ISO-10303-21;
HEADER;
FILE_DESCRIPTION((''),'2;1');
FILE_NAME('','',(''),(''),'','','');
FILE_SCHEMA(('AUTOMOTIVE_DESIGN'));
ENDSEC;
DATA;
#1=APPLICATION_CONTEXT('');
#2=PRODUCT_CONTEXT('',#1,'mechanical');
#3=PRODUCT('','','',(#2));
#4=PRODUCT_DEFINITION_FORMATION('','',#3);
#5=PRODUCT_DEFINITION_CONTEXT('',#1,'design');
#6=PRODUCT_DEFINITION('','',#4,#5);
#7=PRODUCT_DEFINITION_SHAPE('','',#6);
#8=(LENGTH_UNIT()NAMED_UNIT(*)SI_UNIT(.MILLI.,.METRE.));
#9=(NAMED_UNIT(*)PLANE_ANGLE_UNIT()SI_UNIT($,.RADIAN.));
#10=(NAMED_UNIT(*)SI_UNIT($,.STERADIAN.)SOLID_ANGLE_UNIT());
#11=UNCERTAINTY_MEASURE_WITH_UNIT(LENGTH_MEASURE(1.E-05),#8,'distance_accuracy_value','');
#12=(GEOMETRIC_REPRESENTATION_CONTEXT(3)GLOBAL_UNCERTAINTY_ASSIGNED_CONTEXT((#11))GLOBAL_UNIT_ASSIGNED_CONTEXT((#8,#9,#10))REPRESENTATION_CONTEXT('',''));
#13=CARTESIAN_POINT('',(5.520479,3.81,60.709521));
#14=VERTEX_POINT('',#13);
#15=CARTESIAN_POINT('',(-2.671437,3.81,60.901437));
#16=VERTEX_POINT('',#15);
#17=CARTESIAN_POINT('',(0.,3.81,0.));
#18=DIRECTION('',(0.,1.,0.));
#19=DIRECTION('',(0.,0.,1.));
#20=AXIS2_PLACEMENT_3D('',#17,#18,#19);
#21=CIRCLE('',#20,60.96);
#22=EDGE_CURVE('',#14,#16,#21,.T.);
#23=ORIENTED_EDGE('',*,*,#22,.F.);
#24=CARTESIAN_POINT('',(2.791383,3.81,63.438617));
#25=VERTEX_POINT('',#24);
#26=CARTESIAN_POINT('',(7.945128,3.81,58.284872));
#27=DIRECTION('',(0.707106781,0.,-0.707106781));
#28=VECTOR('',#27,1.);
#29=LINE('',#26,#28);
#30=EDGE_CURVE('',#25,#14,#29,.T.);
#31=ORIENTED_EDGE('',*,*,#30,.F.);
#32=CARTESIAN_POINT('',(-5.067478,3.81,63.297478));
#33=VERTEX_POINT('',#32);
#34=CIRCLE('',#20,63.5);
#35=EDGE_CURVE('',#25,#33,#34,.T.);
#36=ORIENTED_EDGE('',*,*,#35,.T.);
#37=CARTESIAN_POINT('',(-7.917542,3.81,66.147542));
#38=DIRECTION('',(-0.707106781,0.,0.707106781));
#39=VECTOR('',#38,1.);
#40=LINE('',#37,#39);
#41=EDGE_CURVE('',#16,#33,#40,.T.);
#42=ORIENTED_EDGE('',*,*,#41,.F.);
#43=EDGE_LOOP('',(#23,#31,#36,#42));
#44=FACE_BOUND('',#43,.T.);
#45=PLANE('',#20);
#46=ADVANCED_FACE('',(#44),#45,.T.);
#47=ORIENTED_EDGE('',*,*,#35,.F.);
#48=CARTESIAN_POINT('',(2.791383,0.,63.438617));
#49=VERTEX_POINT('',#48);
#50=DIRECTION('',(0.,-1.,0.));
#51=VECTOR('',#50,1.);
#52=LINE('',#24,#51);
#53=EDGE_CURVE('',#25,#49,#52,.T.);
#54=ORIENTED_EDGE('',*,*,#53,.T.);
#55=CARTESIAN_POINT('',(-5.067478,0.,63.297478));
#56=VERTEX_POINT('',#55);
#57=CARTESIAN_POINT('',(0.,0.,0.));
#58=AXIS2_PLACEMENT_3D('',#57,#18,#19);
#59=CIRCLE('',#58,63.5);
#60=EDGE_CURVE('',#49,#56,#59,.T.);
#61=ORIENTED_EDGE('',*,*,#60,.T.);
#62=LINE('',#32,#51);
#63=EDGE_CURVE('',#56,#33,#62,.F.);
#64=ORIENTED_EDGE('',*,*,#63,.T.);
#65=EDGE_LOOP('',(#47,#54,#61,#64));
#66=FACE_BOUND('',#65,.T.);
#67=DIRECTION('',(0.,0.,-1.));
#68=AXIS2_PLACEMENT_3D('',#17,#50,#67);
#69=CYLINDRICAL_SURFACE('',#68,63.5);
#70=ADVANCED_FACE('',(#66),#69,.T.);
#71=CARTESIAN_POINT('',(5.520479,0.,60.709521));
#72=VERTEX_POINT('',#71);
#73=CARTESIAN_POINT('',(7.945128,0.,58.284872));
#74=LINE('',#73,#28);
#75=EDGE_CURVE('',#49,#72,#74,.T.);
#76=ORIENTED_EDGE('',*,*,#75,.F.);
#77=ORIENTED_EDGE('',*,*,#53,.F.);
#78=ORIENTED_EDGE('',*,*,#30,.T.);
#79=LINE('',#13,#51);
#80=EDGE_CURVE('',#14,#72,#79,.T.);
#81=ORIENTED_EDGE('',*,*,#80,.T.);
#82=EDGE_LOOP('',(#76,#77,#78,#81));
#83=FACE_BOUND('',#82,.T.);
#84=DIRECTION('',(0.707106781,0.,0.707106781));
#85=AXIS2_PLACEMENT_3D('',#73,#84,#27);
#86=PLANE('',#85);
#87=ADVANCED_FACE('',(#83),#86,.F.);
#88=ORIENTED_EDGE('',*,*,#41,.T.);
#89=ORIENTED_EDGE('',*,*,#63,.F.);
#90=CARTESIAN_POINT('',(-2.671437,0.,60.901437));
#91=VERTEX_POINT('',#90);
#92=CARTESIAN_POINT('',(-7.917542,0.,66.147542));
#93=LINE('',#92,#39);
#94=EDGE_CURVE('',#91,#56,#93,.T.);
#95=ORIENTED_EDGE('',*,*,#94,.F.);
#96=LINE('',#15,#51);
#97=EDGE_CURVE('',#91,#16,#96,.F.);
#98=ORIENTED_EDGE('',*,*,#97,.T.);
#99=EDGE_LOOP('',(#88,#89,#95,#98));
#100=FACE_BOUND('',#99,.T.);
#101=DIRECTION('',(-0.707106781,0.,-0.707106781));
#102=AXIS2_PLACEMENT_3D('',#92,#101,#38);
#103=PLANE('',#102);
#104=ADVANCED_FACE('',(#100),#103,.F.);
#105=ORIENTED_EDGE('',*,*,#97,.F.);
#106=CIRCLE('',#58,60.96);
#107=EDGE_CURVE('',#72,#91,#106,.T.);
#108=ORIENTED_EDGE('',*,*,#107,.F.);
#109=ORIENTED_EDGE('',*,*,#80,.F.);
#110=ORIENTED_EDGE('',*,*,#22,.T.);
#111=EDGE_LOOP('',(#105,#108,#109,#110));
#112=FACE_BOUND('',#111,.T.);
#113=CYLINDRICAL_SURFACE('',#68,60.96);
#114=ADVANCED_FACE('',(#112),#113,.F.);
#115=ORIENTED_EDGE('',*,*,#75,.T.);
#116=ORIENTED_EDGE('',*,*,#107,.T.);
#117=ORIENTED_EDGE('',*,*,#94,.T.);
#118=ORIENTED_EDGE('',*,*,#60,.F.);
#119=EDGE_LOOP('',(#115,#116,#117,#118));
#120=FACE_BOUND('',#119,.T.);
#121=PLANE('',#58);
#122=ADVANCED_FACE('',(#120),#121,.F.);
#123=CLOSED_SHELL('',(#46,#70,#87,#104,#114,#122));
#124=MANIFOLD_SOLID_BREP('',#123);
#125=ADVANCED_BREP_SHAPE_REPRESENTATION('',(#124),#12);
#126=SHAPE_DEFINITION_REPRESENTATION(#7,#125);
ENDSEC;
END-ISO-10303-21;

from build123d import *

# Parameters (mm, degrees)
SZKIC1_R                    = 63.5
SZKIC1_R_2                  = 60.96
DODANIE_WYCI_GNI_CIE1_DEPTH = 3.81
WYTNIJ_WYCI_GNI_CIE1_DEPTH  = 90.883347178


with BuildPart() as part:
    # Szkic1 → Dodanie-wyciągnięcie1 (new body)
    with BuildSketch(Plane(origin=(0, 0, 0), x_dir=(1, 0, 0), z_dir=(0, 1, 0))):
        with Locations(Location((0, 0, 0), (0, 0, 270))):
            Circle(SZKIC1_R)
        with Locations(Location((0, 0, 0), (0, 0, 270))):
            Circle(SZKIC1_R_2, mode=Mode.SUBTRACT)
    extrude(amount=DODANIE_WYCI_GNI_CIE1_DEPTH)

    # Szkic2 → Wytnij-wyciągnięcie1 (cut, through all)
    with BuildSketch(Plane(origin=(0, 3.81, 0), x_dir=(1, 0, 0), z_dir=(0, 1, 0))):
        Polygon((3.945128357, -58.284871643), (7.945128357, -58.284871643), (0.082457603, -66.147542397), (-7.917542397, -66.147542397), (-0.054871643, -58.284871643), align=None)
    extrude(amount=-WYTNIJ_WYCI_GNI_CIE1_DEPTH, mode=Mode.SUBTRACT)


solid = part.part
